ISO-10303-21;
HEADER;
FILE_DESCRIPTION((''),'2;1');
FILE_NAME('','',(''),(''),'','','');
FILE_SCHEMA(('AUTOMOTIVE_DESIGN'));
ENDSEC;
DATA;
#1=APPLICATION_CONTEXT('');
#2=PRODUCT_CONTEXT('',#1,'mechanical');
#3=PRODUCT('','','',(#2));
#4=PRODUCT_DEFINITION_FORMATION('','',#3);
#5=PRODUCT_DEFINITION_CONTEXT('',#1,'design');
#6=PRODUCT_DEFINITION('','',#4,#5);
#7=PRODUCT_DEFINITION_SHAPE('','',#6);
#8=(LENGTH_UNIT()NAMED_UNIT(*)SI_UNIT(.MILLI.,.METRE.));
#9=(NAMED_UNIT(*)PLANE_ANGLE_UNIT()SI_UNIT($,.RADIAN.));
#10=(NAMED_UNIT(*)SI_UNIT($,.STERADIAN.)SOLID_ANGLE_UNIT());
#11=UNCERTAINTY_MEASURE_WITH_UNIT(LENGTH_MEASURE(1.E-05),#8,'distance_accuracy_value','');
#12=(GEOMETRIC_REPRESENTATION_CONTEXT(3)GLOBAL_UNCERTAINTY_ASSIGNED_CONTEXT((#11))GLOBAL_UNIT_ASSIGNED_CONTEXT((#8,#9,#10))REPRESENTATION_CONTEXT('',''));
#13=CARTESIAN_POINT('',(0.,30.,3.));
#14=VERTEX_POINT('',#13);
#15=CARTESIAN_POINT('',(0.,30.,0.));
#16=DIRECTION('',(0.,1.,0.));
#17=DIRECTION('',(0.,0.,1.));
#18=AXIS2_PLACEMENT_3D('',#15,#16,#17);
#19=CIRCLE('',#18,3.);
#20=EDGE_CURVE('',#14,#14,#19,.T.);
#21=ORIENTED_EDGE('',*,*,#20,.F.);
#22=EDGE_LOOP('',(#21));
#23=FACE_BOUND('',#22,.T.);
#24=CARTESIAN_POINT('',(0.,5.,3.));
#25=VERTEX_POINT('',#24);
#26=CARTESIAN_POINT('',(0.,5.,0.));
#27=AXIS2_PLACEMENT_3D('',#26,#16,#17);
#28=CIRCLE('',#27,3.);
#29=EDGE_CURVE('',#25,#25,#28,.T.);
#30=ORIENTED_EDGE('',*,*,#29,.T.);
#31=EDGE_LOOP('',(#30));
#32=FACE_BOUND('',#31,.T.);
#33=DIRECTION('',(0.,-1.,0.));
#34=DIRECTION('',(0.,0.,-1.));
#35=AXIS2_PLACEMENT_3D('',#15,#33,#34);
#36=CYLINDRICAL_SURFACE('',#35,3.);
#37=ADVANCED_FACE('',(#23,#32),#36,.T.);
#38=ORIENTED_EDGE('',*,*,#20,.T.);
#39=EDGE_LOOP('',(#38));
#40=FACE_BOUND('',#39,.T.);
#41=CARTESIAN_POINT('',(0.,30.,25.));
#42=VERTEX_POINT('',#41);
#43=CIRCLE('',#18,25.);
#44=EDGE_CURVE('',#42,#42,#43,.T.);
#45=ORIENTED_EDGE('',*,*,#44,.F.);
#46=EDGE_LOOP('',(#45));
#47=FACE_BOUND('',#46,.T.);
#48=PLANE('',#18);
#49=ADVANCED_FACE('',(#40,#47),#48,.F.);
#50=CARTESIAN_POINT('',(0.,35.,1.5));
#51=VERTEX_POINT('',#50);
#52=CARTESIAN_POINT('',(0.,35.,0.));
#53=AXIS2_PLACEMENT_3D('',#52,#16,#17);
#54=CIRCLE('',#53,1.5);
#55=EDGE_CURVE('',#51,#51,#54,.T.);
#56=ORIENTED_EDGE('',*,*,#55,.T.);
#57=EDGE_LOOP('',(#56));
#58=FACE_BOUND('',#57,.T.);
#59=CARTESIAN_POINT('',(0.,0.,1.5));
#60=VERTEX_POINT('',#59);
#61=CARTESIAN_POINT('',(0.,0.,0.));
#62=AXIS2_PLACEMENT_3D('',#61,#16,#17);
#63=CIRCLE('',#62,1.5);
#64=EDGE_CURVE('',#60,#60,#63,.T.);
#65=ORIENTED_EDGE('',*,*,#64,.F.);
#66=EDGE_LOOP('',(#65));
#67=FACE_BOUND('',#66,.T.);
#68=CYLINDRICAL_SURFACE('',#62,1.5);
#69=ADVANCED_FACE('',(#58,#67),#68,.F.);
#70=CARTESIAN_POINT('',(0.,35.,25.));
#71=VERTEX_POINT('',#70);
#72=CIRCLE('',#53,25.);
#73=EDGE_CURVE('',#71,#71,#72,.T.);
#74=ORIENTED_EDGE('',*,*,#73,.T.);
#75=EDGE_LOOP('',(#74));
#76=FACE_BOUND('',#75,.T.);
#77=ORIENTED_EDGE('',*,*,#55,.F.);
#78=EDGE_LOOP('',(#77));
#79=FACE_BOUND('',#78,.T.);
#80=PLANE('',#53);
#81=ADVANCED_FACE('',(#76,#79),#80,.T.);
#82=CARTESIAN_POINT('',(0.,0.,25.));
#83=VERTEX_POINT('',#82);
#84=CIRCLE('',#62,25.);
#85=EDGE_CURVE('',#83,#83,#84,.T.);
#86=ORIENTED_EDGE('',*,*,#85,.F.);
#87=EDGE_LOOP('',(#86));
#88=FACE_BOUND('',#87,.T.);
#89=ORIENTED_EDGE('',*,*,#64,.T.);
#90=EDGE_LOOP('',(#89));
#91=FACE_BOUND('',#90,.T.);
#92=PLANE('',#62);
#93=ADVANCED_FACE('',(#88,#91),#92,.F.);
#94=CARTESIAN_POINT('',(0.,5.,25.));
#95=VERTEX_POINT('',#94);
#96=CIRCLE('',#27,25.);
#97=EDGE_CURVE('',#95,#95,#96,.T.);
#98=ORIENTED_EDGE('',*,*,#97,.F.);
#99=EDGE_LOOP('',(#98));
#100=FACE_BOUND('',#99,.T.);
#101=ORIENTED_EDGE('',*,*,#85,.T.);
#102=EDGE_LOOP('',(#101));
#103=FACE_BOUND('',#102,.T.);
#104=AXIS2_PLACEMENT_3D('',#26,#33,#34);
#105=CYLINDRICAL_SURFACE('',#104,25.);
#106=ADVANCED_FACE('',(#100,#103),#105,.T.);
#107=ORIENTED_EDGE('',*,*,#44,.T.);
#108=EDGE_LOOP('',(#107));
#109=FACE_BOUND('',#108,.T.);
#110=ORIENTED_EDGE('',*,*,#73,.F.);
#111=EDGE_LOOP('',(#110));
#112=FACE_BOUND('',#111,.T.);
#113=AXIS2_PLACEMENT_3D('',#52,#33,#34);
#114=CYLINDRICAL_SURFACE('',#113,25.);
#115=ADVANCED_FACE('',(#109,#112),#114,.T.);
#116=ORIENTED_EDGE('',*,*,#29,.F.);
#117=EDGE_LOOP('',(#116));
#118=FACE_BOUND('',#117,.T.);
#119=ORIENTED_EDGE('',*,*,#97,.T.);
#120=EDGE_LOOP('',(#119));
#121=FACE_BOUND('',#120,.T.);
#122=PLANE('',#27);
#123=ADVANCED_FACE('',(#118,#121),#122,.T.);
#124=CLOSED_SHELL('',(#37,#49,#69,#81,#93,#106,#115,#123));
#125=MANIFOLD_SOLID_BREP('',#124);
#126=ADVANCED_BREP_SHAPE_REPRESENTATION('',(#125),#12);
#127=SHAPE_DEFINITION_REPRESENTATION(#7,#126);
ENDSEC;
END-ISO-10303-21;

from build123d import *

# Parameters (mm, degrees)
SKETCH1_R           = 25
BOSS_EXTRUDE1_DEPTH = 5
SKETCH2_R           = 3
BOSS_EXTRUDE2_DEPTH = 25
SKETCH3_R           = 25
BOSS_EXTRUDE3_DEPTH = 5
SKETCH4_R           = 1.5
CUT_EXTRUDE1_DEPTH  = 50.749371855


with BuildPart() as part:
    # Sketch1 → Boss-Extrude1 (new body)
    with BuildSketch(Plane(origin=(0, 0, 0), x_dir=(1, 0, 0), z_dir=(0, 1, 0))):
        with Locations(Location((0, 0, 0), (0, 0, 270))):
            Circle(SKETCH1_R)
    extrude(amount=BOSS_EXTRUDE1_DEPTH)

    # Sketch2 → Boss-Extrude2 (add)
    with BuildSketch(Plane(origin=(0, 5, 0), x_dir=(1, 0, 0), z_dir=(0, 1, 0))):
        with Locations(Location((0, 0, 0), (0, 0, 270))):
            Circle(SKETCH2_R)
    extrude(amount=BOSS_EXTRUDE2_DEPTH)

    # Sketch3 → Boss-Extrude3 (add)
    with BuildSketch(Plane(origin=(0, 30, 0), x_dir=(1, 0, 0), z_dir=(0, 1, 0))):
        with Locations(Location((0, 0, 0), (0, 0, 270))):
            Circle(SKETCH3_R)
    extrude(amount=BOSS_EXTRUDE3_DEPTH)

    # Sketch4 → Cut-Extrude1 (cut, through all)
    with BuildSketch(Plane(origin=(0, 35, 0), x_dir=(1, 0, 0), z_dir=(0, 1, 0))):
        with Locations(Location((0, 0, 0), (0, 0, 270))):
            Circle(SKETCH4_R)
    extrude(amount=-CUT_EXTRUDE1_DEPTH, mode=Mode.SUBTRACT)


solid = part.part
